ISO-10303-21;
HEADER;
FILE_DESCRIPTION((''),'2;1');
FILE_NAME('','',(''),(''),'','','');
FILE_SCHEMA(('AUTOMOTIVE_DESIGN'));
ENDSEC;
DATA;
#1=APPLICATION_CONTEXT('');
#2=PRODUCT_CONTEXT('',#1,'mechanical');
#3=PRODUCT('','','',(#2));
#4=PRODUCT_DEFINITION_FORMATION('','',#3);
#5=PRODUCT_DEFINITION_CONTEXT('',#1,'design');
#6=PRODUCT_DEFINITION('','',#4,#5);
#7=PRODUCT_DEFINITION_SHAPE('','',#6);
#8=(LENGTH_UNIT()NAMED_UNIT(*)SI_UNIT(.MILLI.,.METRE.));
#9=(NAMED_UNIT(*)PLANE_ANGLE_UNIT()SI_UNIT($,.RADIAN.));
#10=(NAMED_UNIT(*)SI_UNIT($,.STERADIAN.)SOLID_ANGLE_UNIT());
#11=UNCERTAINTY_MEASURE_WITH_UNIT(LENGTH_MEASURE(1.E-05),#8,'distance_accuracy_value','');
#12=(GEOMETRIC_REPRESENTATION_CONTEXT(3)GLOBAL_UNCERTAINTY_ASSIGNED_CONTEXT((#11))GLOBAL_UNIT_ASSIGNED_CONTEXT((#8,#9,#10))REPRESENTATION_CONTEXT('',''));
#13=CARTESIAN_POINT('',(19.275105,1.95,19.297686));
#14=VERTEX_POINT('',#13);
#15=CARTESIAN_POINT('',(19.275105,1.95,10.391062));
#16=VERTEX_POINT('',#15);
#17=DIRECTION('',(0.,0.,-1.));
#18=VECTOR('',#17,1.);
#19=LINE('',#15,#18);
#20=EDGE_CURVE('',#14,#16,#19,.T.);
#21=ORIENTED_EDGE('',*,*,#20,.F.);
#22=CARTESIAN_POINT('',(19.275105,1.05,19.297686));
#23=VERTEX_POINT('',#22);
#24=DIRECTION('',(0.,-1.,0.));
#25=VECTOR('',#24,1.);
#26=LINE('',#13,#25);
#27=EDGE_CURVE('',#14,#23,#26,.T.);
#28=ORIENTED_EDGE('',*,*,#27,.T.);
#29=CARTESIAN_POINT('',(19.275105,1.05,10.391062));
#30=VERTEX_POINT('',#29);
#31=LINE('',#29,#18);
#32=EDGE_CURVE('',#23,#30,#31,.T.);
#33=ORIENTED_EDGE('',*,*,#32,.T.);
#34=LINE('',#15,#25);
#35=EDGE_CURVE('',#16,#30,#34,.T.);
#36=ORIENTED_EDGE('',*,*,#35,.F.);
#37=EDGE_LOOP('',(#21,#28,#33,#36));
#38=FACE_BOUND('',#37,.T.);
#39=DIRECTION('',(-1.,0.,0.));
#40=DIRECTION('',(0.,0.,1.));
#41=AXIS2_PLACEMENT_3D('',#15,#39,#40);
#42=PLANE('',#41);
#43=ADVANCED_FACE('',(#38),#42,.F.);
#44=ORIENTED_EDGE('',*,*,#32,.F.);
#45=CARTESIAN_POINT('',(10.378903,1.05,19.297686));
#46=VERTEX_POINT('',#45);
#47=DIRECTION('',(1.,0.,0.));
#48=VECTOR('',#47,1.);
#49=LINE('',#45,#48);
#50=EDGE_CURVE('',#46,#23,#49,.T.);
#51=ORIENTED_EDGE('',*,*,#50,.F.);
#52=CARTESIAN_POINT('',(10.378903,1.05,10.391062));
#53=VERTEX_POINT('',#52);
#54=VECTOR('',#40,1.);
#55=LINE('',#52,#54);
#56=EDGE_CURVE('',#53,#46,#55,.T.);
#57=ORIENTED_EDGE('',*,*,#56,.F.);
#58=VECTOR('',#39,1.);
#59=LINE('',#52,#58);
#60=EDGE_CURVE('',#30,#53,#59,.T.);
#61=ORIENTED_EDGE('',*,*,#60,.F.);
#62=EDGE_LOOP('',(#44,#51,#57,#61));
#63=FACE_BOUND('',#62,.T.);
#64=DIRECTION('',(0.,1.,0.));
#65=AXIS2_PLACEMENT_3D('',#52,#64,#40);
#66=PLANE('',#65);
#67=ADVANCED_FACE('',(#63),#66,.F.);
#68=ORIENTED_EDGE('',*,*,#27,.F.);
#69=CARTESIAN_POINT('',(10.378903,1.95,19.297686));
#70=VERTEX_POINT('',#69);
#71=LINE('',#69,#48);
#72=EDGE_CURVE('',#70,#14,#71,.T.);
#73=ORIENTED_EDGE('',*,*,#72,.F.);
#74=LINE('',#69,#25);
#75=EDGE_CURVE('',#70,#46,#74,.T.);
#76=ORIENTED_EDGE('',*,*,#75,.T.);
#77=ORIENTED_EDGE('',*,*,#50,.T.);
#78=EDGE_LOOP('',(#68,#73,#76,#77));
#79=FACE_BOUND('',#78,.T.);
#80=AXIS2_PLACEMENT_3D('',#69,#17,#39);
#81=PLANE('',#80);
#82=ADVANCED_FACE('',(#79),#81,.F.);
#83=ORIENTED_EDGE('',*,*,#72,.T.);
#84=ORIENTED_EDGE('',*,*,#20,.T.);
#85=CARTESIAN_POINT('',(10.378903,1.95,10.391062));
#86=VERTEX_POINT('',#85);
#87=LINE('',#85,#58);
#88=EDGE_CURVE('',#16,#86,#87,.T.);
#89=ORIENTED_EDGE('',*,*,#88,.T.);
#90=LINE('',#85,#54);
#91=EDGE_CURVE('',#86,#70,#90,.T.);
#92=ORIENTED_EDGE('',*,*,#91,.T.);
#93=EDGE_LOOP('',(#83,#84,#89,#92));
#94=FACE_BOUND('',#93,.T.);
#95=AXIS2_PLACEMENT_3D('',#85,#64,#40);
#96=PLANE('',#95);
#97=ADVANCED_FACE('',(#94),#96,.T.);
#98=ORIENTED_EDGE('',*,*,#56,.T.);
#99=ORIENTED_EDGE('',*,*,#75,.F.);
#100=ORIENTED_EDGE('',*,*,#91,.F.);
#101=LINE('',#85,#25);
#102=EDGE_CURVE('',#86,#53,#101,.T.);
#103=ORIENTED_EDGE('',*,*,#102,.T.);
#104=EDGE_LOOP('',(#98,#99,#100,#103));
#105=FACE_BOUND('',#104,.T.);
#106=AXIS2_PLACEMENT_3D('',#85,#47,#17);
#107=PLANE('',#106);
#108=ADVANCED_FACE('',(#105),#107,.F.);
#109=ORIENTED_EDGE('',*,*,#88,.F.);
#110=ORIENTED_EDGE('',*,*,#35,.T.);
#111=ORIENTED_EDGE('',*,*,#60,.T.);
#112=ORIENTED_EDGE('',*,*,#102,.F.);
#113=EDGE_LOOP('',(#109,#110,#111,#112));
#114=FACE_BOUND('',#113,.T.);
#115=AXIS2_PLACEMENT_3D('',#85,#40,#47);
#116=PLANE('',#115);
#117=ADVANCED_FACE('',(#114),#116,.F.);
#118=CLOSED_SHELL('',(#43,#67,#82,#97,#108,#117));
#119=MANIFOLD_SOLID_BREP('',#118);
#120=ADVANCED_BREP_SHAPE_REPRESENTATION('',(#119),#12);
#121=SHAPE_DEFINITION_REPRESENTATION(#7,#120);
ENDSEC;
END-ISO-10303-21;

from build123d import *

# Parameters (mm, degrees)
SKETCH1_W           = 29.654008063
SKETCH1_H           = 29.688748119
BOSS_EXTRUDE1_DEPTH = 3
SCALE1_SCALE        = 0.3


with BuildPart() as part:
    # Sketch1 → Boss-Extrude1 (new body)
    with BuildSketch(Plane(origin=(0, 0, 0), x_dir=(1, 0, 0), z_dir=(0, 1, 0))):
        with Locations((14.827004032, -14.84437406)):
            Rectangle(SKETCH1_W, SKETCH1_H)
    extrude(amount=BOSS_EXTRUDE1_DEPTH)


with BuildPart() as part_1:
    # Scale1: scaled about (14.827004032, 1.5, 14.844374059)
    add(part.part.scale(SCALE1_SCALE).moved(Location((10.378902822, 1.05, 10.391061841))))


solid = part_1.part
